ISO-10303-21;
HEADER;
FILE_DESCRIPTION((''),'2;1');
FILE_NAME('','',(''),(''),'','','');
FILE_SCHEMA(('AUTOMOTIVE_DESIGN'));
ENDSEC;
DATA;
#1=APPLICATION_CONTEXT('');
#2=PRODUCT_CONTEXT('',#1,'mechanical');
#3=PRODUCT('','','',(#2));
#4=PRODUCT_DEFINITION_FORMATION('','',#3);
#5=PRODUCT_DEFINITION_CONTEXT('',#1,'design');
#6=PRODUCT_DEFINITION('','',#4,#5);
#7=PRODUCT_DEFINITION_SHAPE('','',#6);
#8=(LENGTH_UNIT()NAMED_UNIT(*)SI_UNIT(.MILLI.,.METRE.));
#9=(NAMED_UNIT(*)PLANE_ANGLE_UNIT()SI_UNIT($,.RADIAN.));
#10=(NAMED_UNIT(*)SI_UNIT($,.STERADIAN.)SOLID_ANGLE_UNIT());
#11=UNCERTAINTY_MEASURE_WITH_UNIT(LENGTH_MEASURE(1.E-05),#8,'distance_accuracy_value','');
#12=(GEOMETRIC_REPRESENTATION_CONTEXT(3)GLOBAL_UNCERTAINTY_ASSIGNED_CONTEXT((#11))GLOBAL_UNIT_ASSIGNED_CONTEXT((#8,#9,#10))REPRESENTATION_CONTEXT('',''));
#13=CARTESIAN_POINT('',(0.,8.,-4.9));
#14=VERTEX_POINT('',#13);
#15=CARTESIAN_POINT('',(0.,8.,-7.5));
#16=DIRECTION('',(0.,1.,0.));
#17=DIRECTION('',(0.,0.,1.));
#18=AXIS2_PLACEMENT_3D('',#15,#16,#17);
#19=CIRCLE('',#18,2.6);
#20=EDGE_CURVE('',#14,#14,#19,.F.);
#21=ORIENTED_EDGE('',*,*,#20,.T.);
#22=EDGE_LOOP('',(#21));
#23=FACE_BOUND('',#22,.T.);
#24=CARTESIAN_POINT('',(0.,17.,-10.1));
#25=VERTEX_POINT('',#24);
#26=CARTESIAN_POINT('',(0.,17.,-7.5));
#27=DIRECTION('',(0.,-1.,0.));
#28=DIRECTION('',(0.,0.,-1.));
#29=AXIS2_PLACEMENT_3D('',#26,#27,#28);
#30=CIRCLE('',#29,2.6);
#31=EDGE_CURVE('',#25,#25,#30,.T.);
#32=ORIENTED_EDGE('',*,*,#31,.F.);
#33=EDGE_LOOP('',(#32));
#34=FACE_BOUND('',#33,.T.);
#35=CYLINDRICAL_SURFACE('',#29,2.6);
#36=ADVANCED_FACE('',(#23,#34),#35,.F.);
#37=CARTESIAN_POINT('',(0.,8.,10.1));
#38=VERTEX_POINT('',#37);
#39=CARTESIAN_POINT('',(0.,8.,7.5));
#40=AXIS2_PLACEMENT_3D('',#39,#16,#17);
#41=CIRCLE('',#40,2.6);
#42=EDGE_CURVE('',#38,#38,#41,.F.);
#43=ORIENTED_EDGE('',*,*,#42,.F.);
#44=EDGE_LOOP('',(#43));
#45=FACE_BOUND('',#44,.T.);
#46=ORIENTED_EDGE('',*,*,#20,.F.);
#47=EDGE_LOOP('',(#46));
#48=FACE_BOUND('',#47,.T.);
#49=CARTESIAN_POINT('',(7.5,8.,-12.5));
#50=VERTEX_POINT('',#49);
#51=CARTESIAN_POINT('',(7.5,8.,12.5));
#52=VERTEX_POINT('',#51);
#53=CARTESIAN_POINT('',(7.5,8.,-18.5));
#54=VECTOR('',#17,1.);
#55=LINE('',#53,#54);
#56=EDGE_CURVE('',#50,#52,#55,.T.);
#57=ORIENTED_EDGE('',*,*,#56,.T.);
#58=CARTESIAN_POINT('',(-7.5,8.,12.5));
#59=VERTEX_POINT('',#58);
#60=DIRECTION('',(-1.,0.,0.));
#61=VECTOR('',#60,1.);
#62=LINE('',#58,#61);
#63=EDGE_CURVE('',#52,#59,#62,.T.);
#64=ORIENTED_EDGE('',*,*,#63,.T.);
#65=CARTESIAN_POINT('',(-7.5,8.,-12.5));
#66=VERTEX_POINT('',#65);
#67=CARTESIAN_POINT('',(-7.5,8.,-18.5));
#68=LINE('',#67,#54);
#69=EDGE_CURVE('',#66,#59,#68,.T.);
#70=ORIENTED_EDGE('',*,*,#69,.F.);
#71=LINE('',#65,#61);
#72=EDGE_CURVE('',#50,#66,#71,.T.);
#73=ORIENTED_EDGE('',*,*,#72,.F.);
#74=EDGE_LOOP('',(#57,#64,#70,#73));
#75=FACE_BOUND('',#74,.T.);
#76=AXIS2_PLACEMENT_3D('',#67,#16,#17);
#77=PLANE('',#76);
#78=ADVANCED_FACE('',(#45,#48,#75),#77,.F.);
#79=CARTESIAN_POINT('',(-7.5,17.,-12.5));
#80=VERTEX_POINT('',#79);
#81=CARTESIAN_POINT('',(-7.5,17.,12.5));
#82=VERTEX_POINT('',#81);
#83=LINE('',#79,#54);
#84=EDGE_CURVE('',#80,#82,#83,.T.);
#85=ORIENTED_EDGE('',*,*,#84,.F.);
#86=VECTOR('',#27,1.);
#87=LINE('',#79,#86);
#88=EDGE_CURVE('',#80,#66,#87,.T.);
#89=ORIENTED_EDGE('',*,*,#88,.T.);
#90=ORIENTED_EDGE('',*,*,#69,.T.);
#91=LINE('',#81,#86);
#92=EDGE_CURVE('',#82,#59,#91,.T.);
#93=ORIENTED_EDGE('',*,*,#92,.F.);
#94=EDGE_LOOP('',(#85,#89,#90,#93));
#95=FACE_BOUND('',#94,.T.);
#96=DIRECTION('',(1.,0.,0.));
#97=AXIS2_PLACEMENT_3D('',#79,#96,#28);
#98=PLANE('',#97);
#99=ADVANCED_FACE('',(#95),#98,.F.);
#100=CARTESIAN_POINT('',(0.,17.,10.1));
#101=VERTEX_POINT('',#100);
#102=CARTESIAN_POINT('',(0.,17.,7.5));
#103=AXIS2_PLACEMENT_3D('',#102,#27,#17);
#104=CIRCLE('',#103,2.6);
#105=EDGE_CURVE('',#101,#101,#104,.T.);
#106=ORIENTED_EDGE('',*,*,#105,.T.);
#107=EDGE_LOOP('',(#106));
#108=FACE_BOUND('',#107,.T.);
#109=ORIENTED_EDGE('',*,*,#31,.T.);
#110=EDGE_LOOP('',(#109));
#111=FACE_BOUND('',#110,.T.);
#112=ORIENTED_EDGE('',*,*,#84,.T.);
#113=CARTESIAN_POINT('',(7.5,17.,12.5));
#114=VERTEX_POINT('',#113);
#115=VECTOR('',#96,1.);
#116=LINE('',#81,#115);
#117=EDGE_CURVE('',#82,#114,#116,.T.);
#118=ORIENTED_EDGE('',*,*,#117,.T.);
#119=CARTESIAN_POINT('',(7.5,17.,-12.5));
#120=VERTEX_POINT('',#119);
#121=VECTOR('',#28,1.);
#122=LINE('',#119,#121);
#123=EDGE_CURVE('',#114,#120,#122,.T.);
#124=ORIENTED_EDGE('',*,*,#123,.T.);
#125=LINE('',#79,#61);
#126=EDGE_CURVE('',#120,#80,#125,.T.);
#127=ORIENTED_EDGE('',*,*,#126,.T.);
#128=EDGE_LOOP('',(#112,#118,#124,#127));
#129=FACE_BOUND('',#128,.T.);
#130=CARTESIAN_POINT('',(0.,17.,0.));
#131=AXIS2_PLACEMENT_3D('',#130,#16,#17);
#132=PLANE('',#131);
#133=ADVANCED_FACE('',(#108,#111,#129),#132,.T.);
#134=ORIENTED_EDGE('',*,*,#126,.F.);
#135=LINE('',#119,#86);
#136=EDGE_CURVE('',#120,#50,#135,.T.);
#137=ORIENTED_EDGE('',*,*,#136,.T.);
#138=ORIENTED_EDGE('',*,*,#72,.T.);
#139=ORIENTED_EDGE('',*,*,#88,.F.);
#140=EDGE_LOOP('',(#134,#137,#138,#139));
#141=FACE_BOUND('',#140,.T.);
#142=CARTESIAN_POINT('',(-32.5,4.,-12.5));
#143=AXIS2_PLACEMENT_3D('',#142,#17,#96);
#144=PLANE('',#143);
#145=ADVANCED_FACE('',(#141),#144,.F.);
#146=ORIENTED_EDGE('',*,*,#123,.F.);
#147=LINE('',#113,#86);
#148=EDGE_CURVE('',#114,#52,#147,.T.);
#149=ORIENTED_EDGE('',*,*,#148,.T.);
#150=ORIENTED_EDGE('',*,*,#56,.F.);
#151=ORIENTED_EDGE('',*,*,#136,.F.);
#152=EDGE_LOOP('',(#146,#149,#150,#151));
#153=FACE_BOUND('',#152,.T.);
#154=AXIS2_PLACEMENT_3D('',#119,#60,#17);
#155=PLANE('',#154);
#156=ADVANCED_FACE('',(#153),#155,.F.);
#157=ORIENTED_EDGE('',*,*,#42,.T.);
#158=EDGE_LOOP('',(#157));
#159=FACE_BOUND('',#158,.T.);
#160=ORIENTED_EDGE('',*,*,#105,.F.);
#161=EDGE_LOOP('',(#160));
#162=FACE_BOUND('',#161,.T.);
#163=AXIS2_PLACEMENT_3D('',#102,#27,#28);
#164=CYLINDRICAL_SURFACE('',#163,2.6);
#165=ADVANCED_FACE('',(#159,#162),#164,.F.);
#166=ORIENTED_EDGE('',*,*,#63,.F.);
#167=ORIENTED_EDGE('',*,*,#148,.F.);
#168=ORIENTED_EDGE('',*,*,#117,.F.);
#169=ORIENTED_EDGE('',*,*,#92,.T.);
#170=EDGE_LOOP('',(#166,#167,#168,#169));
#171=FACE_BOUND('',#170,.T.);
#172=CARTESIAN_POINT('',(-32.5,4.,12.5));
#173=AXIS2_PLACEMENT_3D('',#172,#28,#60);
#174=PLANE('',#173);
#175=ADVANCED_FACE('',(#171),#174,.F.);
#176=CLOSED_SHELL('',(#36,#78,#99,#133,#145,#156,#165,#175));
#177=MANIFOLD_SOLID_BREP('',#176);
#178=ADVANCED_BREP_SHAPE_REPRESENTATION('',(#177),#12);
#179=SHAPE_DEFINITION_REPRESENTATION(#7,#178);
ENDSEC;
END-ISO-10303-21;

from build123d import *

# Parameters (mm, degrees)
SKETCH_1_W          = 65
SKETCH_1_H          = 25
EXTRUDE_1_DEPTH     = 4
SKETCH_2_W          = 15
SKETCH_2_H          = 25
EXTRUDE_2_DEPTH     = 13
SKETCH_3_R          = 2.6
SKETCH_3_R_2        = 4
CUT_EXTRUDE_1_DEPTH = 39.74919354
SKETCH_5_W          = 15
SKETCH_5_H          = 4
EXTRUDE_3_DEPTH     = 6
SKETCH_6_R          = 1.25
CUT_EXTRUDE_3_DEPTH = 40.59166579
FILLET_2_R          = 3
CUT_EXTRUDE_4_DEPTH = 49.023431781
SKETCH_9_W          = 15
SKETCH_9_H          = 4
CUT_EXTRUDE_5_DEPTH = 42.403502267


with BuildPart() as part:
    # 草图1 → 凸台-拉伸1 (new body)
    with BuildSketch(Plane(origin=(0, 0, 0), x_dir=(1, 0, 0), z_dir=(0, 1, 0))):
        Rectangle(SKETCH_1_W, SKETCH_1_H)
    extrude(amount=EXTRUDE_1_DEPTH)

    # 草图2 → 凸台-拉伸2 (add)
    with BuildSketch(Plane(origin=(0, 4, 0), x_dir=(1, 0, 0), z_dir=(0, 1, 0))):
        Rectangle(SKETCH_2_W, SKETCH_2_H)
    extrude(amount=EXTRUDE_2_DEPTH)

    # 草图3 → 切除-拉伸1 (cut, through all)
    with BuildSketch(Plane.XZ):
        with Locations(Location((0, -7.5, 0), (0, 0, 270))):
            Circle(SKETCH_3_R)
        with Locations(Location((0, 7.5, 0), (0, 0, 90))):
            Circle(SKETCH_3_R)
        with Locations(Location((-22, 0, 0), (0, 0, 270))):
            Circle(SKETCH_3_R_2)
        with Locations(Location((22, 0, 0), (0, 0, 90))):
            Circle(SKETCH_3_R_2)
    extrude(amount=-CUT_EXTRUDE_1_DEPTH, mode=Mode.SUBTRACT)

    # 草图5 → 凸台-拉伸3 (add)
    with BuildSketch(Plane.XY.offset(12.5)):
        with Locations((0, 6)):
            Rectangle(SKETCH_5_W, SKETCH_5_H)
    extrude_3 = extrude(amount=EXTRUDE_3_DEPTH)

    # 草图6 → 切除-拉伸3 (cut, through all)
    with BuildSketch(Plane.XZ.offset(-4)):
        with Locations(Location((-4.5, 15.5, 0), (0, 0, 270))):
            Circle(SKETCH_6_R)
        with Locations(Location((4.5, 15.5, 0), (0, 0, 270))):
            Circle(SKETCH_6_R)
    cut_extrude_3 = extrude(amount=-CUT_EXTRUDE_3_DEPTH, mode=Mode.SUBTRACT)

    # 镜向2: 凸台-拉伸3, 切除-拉伸3 across plane
    add(extrude_3.mirror(Plane.XY))
    add(cut_extrude_3.mirror(Plane.XY), mode=Mode.SUBTRACT)

    # 圆角2
    fillet_2_edges = [part.edges().sort_by_distance(p)[0] for p in [
        (-7.5, 6, 18.5),
        (7.5, 6, 18.5),
        (-7.5, 6, -18.5),
        (7.5, 6, -18.5),
    ]]
    fillet(fillet_2_edges, radius=FILLET_2_R)

    # 草图7 → 切除-拉伸4 (cut, through all)
    with BuildSketch(Plane(origin=(0, 0, -12.5), x_dir=(-1, 0, 0), z_dir=(0, 0, -1))):
        Polygon((32.5, 4), (7.5, 4), (-7.5, 4), (-32.5, 4), (-32.5, 0), (32.5, 0), align=None)
    extrude(amount=-CUT_EXTRUDE_4_DEPTH, mode=Mode.SUBTRACT)

    # 草图9 → 切除-拉伸5 (cut, through all)
    with BuildSketch(Plane.XY.offset(18.5)):
        with Locations((0, 6)):
            Rectangle(SKETCH_9_W, SKETCH_9_H)
    extrude(amount=-CUT_EXTRUDE_5_DEPTH, mode=Mode.SUBTRACT)


solid = part.part
